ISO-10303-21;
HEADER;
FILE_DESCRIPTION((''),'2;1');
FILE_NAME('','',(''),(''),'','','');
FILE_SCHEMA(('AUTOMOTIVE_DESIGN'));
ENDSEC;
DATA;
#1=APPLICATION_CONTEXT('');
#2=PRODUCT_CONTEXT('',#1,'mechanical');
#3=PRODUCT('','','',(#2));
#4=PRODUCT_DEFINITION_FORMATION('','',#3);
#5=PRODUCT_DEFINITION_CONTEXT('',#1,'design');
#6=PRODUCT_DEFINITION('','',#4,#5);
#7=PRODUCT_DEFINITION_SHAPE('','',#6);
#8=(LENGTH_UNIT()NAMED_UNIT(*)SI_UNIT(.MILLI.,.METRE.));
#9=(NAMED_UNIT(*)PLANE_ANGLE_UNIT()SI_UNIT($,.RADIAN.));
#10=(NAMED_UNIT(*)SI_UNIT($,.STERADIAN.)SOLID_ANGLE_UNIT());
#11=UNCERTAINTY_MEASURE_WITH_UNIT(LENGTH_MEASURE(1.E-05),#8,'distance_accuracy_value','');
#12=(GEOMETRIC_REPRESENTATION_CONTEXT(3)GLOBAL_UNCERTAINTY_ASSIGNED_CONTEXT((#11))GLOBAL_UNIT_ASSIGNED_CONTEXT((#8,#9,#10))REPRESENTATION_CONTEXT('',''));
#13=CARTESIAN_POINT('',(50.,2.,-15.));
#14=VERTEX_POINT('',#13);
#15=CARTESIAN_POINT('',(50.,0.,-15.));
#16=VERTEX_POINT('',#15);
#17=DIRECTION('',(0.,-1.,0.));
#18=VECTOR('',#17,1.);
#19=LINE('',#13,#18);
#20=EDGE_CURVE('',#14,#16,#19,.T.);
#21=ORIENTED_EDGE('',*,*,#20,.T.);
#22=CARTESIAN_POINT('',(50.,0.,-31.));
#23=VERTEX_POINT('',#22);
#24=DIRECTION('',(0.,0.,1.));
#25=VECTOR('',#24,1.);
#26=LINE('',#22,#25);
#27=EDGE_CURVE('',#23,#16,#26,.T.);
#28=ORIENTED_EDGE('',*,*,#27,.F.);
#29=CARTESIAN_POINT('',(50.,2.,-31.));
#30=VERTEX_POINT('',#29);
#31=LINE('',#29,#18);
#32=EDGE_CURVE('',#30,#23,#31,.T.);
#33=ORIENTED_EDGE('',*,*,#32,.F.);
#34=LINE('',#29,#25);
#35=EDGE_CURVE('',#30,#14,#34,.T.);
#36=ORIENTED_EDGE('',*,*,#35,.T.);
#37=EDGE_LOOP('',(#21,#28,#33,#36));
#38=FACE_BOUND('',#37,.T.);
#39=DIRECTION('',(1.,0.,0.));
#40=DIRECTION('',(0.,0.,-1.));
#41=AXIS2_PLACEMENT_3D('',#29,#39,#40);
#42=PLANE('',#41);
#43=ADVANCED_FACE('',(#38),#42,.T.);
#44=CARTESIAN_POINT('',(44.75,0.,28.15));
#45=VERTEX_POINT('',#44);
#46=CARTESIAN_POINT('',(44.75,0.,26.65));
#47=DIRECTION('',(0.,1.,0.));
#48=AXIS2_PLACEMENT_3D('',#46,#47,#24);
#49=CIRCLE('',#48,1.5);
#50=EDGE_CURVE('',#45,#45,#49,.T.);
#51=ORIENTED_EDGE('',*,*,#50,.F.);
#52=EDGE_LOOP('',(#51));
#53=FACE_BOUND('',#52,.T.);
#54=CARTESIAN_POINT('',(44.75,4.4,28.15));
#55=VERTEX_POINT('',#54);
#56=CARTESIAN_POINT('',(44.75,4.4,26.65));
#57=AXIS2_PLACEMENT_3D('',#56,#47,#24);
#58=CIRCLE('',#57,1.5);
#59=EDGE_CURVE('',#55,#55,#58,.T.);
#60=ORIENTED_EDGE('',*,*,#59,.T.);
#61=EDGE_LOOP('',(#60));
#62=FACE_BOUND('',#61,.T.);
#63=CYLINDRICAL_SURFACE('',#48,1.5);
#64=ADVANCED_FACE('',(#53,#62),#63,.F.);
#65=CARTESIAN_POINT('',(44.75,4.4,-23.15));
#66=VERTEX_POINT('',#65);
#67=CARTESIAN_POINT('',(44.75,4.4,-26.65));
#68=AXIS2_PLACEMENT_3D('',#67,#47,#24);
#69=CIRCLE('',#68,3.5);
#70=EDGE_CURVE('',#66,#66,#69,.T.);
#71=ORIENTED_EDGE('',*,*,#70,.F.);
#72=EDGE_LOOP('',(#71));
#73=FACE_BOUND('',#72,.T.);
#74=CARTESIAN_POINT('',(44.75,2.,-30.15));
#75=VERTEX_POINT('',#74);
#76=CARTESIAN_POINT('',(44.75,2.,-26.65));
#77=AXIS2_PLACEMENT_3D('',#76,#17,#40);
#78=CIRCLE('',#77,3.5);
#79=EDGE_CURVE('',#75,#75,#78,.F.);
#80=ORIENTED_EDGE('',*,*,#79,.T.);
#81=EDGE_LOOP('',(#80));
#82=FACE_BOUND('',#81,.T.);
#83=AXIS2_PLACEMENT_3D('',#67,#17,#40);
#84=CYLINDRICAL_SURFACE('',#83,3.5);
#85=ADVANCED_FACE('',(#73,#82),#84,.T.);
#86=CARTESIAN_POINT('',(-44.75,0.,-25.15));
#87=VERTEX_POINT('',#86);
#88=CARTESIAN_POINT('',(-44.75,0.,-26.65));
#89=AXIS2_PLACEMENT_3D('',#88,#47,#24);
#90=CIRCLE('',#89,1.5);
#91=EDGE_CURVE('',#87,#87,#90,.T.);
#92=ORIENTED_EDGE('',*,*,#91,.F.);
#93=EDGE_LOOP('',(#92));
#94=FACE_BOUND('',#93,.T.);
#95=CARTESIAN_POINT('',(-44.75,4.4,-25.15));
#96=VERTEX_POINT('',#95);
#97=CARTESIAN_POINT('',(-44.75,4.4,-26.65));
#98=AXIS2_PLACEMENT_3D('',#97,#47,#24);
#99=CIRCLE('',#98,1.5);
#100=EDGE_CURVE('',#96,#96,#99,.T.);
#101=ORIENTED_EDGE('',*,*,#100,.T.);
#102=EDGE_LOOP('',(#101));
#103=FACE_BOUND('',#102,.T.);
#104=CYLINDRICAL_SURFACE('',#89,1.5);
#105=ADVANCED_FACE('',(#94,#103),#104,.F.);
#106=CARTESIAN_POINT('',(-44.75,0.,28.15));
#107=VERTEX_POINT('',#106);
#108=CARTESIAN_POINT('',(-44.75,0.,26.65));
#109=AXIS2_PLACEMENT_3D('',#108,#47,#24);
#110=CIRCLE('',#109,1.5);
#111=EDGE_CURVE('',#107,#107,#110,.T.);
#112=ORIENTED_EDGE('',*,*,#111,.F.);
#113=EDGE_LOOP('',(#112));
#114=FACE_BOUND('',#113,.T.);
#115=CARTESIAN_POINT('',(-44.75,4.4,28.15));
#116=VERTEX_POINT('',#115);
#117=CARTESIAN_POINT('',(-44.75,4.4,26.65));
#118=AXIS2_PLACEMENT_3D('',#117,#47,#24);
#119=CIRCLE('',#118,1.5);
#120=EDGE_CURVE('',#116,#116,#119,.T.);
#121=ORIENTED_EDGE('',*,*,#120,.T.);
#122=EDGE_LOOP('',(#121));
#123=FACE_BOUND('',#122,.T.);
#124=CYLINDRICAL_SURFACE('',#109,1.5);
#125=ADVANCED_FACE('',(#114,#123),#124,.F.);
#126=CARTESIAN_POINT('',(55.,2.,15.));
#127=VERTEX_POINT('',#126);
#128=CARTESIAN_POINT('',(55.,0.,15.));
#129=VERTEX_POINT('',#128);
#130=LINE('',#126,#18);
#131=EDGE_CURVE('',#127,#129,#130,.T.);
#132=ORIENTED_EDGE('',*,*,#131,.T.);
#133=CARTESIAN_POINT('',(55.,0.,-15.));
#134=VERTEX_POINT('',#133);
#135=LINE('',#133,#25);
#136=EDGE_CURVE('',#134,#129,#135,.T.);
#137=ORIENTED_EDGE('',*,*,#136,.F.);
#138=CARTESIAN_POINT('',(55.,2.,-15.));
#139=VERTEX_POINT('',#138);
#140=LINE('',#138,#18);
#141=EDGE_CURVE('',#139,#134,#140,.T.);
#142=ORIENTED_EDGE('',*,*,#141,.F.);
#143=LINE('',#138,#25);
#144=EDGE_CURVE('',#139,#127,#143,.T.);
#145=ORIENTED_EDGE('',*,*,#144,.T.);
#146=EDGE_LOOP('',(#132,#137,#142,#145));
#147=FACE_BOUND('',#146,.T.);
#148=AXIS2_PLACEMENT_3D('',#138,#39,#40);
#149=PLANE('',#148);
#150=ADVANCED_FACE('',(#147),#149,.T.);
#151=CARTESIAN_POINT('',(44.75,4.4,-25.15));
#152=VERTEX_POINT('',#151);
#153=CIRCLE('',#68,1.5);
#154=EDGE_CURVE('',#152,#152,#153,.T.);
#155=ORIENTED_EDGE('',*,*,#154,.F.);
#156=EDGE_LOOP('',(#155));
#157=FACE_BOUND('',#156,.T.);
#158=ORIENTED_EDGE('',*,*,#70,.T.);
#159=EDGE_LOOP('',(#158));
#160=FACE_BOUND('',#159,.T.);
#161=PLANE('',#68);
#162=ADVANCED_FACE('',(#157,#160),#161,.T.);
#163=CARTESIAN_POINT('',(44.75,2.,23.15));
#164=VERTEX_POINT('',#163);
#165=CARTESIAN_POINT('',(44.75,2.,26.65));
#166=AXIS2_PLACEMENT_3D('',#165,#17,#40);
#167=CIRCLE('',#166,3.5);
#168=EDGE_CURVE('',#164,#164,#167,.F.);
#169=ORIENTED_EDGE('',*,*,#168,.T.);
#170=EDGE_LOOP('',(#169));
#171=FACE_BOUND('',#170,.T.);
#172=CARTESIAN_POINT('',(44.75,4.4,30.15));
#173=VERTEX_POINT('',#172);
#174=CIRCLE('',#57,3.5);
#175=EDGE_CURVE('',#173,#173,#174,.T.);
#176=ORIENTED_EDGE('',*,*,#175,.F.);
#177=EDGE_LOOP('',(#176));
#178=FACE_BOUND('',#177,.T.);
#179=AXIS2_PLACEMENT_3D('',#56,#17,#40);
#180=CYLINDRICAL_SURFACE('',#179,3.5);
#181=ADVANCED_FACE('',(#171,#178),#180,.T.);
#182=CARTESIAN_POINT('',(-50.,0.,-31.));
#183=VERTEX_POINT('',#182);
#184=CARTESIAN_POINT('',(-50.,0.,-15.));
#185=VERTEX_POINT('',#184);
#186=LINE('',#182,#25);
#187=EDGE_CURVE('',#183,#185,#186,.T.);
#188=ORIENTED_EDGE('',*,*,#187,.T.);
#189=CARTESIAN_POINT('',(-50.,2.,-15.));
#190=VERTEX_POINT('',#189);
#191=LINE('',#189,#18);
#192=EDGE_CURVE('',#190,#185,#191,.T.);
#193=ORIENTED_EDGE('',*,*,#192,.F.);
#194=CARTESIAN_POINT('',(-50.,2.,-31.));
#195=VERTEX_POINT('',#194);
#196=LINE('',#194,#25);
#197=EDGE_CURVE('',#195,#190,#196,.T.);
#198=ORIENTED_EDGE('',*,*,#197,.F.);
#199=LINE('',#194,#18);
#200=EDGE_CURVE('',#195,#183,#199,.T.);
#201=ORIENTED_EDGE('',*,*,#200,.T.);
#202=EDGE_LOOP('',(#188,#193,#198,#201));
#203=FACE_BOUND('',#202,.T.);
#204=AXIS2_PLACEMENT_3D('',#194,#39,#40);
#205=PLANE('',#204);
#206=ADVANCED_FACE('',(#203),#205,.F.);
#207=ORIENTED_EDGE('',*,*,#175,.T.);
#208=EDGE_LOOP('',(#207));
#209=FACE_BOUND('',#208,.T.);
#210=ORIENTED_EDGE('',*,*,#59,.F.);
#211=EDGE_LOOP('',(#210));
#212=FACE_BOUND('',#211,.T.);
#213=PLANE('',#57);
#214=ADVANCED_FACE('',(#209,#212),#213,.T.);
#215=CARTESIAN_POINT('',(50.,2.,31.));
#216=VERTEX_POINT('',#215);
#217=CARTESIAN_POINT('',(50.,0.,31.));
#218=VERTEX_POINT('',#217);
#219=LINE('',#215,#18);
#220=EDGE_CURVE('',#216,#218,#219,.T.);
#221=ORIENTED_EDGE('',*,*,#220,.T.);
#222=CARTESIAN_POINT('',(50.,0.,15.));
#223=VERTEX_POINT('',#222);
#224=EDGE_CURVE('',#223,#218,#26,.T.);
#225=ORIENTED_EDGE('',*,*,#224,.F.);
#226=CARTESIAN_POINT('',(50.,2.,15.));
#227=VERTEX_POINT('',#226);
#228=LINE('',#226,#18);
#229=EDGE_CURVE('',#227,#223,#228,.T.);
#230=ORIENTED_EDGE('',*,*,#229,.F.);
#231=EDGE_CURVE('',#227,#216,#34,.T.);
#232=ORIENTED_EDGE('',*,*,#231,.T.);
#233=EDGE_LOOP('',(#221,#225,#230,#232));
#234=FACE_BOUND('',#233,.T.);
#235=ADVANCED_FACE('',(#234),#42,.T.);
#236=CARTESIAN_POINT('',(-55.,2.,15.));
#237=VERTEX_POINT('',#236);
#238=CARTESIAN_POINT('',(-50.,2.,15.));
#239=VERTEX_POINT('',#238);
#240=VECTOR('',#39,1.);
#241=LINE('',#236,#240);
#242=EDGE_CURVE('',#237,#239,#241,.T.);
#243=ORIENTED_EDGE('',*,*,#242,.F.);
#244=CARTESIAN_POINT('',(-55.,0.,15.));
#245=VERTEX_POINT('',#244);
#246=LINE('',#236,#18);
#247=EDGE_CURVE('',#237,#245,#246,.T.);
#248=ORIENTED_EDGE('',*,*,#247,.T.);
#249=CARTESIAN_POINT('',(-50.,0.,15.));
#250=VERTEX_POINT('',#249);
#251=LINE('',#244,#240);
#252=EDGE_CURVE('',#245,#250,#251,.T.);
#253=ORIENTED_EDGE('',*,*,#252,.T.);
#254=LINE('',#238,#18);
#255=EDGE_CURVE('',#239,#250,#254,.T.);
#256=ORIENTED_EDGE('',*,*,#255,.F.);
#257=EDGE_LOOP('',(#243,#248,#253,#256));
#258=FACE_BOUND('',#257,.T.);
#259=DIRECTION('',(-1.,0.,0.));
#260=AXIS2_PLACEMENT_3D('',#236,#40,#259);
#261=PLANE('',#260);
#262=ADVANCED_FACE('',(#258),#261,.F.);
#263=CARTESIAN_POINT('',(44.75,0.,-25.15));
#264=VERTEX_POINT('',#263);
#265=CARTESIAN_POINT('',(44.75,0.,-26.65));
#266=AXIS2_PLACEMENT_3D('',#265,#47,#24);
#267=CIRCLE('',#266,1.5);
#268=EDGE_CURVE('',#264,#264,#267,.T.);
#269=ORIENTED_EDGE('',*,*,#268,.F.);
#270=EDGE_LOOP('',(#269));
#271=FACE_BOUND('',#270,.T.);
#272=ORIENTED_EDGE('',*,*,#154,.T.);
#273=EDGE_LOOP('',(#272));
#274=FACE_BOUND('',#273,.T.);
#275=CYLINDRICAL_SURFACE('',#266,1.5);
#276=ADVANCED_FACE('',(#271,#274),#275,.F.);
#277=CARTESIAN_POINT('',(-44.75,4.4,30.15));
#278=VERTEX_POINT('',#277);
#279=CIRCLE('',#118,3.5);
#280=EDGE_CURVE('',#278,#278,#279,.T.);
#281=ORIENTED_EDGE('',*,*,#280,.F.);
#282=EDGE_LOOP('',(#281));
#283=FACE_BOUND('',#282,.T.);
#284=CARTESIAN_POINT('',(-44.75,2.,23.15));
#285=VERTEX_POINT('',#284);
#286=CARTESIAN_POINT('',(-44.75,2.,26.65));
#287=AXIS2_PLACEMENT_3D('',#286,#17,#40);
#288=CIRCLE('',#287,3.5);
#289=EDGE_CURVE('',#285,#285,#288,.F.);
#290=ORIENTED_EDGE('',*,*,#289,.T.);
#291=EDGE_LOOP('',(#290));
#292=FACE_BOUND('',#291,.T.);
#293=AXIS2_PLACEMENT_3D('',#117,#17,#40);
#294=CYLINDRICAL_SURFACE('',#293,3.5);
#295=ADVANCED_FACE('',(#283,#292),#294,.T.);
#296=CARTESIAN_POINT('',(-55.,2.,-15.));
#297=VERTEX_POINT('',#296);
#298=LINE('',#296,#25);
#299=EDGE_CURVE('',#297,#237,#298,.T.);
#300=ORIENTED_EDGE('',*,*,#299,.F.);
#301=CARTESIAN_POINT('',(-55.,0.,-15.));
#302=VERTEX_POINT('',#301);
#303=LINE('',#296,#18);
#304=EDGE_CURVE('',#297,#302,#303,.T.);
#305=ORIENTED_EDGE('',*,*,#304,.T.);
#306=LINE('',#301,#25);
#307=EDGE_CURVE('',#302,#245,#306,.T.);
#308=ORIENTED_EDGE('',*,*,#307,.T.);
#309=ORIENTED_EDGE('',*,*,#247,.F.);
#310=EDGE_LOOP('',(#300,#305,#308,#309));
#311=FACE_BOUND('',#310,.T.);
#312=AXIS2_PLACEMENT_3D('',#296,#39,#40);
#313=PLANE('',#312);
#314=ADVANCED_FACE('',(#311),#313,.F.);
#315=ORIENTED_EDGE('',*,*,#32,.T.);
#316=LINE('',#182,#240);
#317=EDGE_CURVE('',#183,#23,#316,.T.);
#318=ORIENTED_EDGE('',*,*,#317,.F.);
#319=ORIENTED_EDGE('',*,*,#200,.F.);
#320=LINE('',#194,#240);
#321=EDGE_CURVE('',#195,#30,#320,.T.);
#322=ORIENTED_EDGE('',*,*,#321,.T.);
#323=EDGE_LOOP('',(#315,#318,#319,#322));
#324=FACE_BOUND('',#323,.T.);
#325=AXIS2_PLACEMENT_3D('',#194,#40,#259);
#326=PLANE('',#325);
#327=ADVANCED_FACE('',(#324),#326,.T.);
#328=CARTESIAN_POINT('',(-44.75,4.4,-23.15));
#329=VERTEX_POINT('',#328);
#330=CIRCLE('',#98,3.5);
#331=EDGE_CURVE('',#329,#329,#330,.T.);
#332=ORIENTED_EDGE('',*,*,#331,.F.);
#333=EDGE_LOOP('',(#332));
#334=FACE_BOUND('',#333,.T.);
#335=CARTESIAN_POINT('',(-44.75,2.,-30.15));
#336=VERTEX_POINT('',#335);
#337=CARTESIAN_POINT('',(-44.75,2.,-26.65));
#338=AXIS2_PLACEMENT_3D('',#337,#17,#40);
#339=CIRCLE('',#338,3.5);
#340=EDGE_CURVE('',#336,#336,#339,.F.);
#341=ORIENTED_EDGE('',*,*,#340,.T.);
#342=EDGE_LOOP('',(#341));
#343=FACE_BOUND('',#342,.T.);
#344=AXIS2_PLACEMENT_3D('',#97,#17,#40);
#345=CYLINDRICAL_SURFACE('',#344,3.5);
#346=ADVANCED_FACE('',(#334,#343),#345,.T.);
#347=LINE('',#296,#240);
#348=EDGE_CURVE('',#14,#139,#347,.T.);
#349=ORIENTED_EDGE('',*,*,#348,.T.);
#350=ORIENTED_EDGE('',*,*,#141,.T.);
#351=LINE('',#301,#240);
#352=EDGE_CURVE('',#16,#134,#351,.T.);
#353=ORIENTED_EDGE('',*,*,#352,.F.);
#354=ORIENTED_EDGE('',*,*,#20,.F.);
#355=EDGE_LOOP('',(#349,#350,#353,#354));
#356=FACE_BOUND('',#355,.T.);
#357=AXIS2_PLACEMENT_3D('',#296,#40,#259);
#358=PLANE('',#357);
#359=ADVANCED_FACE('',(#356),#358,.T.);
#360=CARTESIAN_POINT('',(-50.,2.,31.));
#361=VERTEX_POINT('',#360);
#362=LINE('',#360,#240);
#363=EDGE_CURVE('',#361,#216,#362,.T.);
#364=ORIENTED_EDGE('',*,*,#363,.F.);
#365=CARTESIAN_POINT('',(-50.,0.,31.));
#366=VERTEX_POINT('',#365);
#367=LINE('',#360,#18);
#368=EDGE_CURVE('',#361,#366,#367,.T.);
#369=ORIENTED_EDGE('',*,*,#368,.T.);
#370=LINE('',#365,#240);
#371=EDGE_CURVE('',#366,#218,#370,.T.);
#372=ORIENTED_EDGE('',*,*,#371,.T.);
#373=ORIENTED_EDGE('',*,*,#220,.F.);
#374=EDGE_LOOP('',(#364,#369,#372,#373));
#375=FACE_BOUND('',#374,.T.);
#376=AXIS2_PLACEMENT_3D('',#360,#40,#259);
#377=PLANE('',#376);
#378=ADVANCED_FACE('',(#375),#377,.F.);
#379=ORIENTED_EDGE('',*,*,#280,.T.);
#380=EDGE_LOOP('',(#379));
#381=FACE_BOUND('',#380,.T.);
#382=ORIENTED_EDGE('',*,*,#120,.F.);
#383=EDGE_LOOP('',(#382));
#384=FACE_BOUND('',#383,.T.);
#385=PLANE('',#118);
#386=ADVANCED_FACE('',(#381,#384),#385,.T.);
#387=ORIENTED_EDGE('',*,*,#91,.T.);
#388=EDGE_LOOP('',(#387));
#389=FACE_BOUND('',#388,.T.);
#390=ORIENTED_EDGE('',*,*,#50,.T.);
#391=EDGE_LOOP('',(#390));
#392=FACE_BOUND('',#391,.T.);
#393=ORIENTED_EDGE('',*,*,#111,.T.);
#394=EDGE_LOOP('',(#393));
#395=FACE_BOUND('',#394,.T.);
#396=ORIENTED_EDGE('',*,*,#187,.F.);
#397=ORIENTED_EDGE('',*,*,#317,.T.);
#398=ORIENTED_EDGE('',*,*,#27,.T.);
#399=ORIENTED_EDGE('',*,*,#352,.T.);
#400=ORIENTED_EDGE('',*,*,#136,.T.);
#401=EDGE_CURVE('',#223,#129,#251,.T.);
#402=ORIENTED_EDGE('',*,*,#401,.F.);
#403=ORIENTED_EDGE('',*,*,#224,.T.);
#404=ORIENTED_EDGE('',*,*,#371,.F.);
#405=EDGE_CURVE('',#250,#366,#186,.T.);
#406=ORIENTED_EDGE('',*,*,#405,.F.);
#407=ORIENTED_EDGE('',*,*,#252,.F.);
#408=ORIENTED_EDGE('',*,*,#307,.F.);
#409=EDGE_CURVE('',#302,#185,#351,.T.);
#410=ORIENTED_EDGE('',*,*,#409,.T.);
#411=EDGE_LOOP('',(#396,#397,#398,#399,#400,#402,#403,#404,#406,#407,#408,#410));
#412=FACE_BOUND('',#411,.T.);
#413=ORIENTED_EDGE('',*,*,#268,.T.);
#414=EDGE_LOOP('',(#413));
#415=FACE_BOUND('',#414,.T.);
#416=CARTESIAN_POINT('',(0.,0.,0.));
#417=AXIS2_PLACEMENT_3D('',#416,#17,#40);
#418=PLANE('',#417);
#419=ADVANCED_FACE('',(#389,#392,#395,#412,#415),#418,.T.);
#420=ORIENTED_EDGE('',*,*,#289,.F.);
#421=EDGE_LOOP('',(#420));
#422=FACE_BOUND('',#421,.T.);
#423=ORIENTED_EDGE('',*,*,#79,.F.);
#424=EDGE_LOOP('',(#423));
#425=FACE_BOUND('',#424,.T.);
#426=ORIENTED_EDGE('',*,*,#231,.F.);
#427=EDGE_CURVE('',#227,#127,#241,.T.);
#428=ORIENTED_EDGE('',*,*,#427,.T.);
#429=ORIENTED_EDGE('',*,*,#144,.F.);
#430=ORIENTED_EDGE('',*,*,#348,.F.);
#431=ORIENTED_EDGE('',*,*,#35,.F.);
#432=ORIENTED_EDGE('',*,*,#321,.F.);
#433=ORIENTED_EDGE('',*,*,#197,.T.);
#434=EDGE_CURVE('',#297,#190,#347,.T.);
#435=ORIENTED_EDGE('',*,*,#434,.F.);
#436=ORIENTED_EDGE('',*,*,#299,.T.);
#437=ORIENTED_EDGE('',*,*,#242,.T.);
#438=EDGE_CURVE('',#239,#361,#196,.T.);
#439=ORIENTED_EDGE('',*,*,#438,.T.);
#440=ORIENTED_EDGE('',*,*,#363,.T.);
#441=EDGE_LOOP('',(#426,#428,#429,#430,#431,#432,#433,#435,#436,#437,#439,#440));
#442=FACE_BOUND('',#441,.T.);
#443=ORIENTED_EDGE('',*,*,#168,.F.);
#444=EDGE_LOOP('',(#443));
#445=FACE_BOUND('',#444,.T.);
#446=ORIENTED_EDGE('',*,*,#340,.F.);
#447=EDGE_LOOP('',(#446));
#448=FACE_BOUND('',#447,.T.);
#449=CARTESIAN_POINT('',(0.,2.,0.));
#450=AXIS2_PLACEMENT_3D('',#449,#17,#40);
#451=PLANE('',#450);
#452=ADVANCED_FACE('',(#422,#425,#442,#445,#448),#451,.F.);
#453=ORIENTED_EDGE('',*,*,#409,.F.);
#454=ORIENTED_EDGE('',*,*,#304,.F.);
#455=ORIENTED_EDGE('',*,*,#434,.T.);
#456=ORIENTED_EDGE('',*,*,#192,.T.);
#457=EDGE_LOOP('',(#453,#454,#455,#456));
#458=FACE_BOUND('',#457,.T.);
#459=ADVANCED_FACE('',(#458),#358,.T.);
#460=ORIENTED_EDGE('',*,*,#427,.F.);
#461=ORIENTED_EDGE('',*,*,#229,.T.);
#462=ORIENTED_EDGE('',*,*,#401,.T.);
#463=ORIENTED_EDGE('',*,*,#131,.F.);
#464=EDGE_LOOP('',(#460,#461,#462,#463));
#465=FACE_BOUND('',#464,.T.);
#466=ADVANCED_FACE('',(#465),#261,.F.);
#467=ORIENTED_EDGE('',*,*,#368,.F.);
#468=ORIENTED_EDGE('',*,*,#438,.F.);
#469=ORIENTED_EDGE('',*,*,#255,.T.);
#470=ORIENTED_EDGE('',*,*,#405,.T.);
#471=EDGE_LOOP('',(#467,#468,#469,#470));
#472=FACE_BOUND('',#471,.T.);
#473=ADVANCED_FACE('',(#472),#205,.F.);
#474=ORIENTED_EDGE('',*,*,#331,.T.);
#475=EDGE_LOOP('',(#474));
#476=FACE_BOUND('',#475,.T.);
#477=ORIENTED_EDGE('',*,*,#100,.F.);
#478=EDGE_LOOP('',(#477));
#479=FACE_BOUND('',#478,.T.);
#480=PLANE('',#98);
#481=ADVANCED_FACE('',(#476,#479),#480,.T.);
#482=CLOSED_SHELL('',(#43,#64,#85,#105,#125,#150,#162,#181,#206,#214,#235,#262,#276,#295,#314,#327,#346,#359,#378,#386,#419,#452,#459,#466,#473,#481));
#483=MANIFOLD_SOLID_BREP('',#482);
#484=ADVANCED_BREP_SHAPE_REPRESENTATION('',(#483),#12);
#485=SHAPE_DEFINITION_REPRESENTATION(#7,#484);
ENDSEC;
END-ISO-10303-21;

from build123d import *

# Parameters (mm, degrees)
SKETCH_1_W            = 100
SKETCH_1_H            = 62
SKETCH_1_W_2          = 110
SKETCH_1_H_2          = 30
EXTRUDE_466_DEPTH     = 2
SKETCH_2_R            = 1.5
CUT_EXTRUDE_826_DEPTH = 2
SKETCH_3_R            = 3.5
SKETCH_3_R_2          = 1.5
EXTRUDE_1142_DEPTH    = 2.4


with BuildPart() as part:
    # 草图1 → Extrude 466 (new body)
    with BuildSketch(Plane(origin=(0, 0, 0), x_dir=(1, 0, 0), z_dir=(0, 1, 0))):
        Rectangle(SKETCH_1_W, SKETCH_1_H)
        Rectangle(SKETCH_1_W_2, SKETCH_1_H_2)
    extrude(amount=EXTRUDE_466_DEPTH)

    # 草图2 → Cut-Extrude 826 (cut)
    with BuildSketch(Plane(origin=(0, 2, 0), x_dir=(1, 0, 0), z_dir=(0, 1, 0))):
        with Locations((-44.75, 26.65)):
            Circle(SKETCH_2_R)
        with Locations((44.75, 26.65)):
            Circle(SKETCH_2_R)
        with Locations((-44.75, -26.65)):
            Circle(SKETCH_2_R)
        with Locations((44.75, -26.65)):
            Circle(SKETCH_2_R)
    extrude(amount=-CUT_EXTRUDE_826_DEPTH, mode=Mode.SUBTRACT)

    # 草图3 → Extrude 1142 (add)
    with BuildSketch(Plane(origin=(0, 2, 0), x_dir=(1, 0, 0), z_dir=(0, 1, 0))):
        with Locations((-44.75, 26.65)):
            Circle(SKETCH_3_R)
        with Locations((-44.75, 26.65)):
            Circle(SKETCH_3_R_2, mode=Mode.SUBTRACT)
        with Locations((44.75, 26.65)):
            Circle(SKETCH_3_R)
        with Locations((44.75, 26.65)):
            Circle(SKETCH_3_R_2, mode=Mode.SUBTRACT)
        with Locations((-44.75, -26.65)):
            Circle(SKETCH_3_R)
        with Locations((-44.75, -26.65)):
            Circle(SKETCH_3_R_2, mode=Mode.SUBTRACT)
        with Locations((44.75, -26.65)):
            Circle(SKETCH_3_R)
        with Locations((44.75, -26.65)):
            Circle(SKETCH_3_R_2, mode=Mode.SUBTRACT)
    extrude(amount=EXTRUDE_1142_DEPTH)


solid = part.part
